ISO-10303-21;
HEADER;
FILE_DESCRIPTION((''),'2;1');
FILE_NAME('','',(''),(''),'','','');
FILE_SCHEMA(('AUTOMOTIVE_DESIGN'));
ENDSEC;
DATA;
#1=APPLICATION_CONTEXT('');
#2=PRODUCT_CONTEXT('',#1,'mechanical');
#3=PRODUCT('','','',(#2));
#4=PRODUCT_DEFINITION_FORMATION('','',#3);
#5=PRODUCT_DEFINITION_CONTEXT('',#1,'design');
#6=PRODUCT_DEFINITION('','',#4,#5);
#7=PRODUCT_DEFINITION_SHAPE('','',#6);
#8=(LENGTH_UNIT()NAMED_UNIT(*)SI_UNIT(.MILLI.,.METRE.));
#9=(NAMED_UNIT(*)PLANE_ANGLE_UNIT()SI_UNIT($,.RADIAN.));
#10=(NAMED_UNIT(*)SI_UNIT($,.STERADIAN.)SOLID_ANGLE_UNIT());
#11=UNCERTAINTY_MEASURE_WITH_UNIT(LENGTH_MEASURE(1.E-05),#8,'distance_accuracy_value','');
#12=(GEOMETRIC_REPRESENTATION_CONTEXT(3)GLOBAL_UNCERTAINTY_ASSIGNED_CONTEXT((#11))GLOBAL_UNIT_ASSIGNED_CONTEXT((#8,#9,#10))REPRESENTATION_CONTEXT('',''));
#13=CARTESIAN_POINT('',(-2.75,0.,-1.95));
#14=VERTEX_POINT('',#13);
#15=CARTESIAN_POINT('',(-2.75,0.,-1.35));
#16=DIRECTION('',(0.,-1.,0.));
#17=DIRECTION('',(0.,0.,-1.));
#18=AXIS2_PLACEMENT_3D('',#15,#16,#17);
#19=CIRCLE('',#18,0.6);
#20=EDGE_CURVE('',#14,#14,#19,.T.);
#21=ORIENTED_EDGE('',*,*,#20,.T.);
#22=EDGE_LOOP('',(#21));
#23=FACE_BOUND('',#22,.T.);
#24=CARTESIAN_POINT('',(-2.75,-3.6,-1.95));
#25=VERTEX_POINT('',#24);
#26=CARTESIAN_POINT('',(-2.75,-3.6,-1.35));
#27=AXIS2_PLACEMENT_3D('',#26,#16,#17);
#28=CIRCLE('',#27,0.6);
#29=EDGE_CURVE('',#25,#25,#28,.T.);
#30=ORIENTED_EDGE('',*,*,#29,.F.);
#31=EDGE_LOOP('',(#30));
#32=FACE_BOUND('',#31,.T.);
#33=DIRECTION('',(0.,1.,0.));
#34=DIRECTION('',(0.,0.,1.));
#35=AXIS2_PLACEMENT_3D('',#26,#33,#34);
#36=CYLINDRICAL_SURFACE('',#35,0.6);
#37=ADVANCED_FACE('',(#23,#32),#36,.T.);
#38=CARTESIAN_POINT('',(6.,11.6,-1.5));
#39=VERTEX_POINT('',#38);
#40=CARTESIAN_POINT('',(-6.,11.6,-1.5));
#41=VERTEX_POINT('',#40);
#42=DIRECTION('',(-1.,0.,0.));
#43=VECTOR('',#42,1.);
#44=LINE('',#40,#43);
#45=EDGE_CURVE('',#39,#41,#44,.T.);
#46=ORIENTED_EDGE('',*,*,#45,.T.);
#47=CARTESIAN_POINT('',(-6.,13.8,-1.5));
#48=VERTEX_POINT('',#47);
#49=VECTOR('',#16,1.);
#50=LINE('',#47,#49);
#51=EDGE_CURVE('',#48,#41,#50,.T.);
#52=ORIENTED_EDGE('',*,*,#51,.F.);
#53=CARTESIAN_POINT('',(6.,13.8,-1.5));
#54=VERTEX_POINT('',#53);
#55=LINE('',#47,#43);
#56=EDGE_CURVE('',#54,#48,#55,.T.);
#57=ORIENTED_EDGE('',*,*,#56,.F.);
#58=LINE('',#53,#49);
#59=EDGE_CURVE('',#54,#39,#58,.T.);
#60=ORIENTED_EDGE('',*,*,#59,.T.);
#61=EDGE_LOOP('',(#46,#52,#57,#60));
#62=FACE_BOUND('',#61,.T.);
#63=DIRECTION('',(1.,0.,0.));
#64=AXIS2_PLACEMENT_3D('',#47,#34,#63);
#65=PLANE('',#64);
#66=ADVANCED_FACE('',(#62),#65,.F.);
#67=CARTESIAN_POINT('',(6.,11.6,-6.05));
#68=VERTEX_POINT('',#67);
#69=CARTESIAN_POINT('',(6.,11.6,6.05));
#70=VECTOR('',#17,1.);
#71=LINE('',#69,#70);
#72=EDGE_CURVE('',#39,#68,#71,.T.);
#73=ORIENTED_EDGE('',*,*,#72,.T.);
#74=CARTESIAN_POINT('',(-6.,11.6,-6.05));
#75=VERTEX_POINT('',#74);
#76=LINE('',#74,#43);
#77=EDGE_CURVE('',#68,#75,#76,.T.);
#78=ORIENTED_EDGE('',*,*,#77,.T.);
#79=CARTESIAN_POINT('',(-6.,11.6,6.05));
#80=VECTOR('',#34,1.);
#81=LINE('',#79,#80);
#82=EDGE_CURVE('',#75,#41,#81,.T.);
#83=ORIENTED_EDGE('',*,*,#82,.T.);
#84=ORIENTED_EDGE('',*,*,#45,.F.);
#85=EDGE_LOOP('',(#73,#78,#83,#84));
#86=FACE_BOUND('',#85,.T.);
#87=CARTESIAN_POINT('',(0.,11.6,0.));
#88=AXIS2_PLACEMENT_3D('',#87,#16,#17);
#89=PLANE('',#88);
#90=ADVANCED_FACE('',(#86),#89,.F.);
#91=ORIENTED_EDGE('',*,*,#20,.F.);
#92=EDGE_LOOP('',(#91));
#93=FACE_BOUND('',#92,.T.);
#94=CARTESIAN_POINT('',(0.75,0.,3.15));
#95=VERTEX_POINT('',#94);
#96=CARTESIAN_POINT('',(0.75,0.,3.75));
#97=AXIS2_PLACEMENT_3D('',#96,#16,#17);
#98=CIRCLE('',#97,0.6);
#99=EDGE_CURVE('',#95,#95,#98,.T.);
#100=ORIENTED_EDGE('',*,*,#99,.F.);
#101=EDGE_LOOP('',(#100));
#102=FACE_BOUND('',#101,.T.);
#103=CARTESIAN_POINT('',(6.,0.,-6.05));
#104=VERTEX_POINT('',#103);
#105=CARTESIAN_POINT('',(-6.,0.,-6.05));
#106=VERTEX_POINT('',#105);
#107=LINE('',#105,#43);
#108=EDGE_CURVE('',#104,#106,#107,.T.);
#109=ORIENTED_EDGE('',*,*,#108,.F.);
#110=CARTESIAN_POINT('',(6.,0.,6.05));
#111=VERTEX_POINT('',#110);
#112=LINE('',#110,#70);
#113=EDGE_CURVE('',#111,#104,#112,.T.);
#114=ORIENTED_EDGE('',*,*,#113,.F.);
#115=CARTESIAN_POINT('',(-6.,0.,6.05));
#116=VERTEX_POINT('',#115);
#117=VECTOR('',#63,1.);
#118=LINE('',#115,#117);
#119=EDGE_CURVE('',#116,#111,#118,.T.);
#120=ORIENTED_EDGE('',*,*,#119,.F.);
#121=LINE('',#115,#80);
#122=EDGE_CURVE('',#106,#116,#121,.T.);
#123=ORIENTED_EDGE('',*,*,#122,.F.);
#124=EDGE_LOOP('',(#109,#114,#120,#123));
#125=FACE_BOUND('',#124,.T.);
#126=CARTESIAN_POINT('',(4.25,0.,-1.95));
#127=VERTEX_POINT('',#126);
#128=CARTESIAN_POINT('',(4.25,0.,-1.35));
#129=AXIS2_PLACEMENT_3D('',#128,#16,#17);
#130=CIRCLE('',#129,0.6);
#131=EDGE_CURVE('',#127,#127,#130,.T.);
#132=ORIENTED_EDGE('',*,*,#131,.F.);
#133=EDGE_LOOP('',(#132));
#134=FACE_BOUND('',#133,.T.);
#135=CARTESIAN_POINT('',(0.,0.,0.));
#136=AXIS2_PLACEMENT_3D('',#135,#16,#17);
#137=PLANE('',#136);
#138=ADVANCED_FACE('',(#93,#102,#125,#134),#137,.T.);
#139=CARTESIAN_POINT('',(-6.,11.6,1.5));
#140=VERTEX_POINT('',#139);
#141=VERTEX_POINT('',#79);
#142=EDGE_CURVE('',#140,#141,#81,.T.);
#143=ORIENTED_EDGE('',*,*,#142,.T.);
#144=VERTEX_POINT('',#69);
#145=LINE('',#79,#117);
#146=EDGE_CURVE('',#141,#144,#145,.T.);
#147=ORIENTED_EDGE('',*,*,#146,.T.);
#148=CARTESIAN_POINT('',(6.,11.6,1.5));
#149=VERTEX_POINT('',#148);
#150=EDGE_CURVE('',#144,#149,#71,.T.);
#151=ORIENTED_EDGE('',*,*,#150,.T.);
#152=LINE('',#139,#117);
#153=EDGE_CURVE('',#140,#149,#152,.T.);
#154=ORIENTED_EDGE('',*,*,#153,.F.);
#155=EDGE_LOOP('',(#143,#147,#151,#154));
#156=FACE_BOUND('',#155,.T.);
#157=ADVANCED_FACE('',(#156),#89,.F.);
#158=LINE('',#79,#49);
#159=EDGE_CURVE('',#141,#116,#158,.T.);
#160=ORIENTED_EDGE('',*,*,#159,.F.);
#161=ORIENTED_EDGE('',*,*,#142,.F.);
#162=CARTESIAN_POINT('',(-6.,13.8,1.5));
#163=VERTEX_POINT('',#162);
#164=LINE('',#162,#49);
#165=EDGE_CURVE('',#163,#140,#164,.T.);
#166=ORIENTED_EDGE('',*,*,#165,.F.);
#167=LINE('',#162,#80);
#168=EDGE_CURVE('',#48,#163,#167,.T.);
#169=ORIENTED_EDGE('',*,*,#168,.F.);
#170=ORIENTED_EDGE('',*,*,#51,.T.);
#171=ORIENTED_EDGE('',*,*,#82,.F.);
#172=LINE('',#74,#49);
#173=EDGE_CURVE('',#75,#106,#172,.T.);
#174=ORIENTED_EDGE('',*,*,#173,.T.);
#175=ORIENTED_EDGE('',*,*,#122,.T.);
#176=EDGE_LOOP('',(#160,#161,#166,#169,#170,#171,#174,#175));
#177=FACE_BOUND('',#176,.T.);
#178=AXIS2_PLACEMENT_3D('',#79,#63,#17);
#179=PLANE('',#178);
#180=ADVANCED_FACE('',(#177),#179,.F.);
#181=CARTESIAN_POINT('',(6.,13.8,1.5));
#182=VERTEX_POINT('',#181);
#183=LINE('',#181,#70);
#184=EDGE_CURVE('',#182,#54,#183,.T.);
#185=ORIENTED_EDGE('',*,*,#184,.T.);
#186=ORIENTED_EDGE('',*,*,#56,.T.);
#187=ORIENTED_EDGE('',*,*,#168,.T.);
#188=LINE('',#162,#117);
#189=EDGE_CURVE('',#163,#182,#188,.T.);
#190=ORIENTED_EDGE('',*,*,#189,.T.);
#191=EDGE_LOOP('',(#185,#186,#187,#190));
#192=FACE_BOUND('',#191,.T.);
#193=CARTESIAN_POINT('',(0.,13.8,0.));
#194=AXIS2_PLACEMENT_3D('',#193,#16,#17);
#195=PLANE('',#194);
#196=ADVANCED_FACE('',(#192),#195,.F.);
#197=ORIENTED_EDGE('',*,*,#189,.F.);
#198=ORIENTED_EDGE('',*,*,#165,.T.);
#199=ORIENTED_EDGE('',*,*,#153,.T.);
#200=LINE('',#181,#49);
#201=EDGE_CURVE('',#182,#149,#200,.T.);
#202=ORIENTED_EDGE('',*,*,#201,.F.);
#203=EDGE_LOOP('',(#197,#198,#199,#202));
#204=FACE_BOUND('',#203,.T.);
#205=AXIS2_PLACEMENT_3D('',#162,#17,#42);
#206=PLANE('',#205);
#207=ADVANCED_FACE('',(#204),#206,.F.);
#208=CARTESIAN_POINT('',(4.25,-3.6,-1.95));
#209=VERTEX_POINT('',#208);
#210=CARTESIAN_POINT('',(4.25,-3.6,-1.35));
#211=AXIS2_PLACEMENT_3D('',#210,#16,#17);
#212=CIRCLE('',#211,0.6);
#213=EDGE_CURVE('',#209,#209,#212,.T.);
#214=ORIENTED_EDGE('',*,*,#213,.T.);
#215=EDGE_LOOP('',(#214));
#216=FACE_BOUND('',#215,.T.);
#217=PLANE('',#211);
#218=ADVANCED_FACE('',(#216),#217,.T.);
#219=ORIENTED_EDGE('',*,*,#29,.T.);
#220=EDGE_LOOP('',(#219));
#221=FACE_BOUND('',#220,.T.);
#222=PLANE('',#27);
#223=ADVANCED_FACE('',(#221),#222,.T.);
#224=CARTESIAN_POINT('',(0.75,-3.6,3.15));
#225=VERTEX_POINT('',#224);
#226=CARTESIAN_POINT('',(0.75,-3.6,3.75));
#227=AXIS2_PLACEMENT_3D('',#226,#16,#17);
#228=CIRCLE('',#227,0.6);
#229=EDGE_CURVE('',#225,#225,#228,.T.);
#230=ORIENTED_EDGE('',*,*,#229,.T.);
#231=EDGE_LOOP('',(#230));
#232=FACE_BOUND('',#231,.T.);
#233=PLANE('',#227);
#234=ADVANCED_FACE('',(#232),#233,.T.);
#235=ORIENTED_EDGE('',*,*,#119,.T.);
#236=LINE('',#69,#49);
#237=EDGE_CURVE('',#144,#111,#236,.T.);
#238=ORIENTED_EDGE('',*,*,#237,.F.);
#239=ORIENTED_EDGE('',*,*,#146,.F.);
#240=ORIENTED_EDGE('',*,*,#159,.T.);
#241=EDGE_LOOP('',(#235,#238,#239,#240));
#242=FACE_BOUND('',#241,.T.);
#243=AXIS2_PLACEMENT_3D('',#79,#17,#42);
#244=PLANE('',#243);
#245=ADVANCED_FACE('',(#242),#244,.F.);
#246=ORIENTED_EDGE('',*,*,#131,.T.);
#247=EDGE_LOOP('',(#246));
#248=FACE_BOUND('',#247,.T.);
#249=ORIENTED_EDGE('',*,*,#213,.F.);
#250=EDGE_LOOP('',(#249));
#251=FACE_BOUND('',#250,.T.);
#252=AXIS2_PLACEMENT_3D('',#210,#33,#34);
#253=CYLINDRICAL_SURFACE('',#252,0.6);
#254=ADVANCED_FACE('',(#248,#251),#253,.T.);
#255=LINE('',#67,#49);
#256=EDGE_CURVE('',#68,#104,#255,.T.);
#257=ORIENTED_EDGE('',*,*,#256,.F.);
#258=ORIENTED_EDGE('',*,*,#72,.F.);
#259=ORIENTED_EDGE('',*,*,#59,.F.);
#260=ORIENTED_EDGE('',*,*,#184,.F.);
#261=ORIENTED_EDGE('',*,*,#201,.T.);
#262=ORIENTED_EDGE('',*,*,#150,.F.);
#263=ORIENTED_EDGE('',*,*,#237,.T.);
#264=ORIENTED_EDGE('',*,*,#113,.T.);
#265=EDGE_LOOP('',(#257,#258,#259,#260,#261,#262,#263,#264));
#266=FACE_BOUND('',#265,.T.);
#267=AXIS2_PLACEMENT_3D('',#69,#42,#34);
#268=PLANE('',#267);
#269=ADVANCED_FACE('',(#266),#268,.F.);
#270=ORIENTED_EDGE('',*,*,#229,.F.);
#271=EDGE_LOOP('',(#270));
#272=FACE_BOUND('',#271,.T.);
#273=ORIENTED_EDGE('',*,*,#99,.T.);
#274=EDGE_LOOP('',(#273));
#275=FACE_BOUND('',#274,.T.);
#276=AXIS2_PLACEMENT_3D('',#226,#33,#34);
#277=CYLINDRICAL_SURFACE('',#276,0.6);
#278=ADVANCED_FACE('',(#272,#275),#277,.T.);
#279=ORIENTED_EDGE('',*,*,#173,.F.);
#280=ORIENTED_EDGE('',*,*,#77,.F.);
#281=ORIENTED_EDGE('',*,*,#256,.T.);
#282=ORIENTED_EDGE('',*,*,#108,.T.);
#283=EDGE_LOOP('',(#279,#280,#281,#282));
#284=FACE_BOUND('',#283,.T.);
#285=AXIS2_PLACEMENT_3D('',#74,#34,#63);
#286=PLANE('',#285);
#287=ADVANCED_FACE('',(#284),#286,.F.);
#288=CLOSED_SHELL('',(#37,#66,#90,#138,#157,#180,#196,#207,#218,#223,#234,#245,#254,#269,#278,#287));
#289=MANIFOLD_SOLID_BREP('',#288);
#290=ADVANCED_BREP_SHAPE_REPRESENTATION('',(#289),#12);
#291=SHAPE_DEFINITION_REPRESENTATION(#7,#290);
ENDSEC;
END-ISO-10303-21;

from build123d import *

# Parameters (mm, degrees)
CROQUIS1_W              = 12
CROQUIS1_H              = 12.1
SALIENTE_EXTRUIR1_DEPTH = 11.6
CROQUIS2_W              = 12
CROQUIS2_H              = 3
SALIENTE_EXTRUIR2_DEPTH = 2.2
CROQUIS3_R              = 0.6
SALIENTE_EXTRUIR3_DEPTH = 3.6


with BuildPart() as part:
    # Croquis1 → Saliente-Extruir1 (new body)
    with BuildSketch(Plane(origin=(0, 0, 0), x_dir=(1, 0, 0), z_dir=(0, 1, 0))):
        Rectangle(CROQUIS1_W, CROQUIS1_H)
    extrude(amount=SALIENTE_EXTRUIR1_DEPTH)

    # Croquis2 → Saliente-Extruir2 (add)
    with BuildSketch(Plane(origin=(0, 11.6, 0), x_dir=(1, 0, 0), z_dir=(0, 1, 0))):
        Rectangle(CROQUIS2_W, CROQUIS2_H)
    extrude(amount=SALIENTE_EXTRUIR2_DEPTH)

    # Croquis3 → Saliente-Extruir3 (add)
    with BuildSketch(Plane.XZ):
        with Locations(Location((-2.75, -1.35, 0), (0, 0, 270))):
            Circle(CROQUIS3_R)
        with Locations(Location((0.75, 3.75, 0), (0, 0, 270))):
            Circle(CROQUIS3_R)
        with Locations(Location((4.25, -1.35, 0), (0, 0, 270))):
            Circle(CROQUIS3_R)
    extrude(amount=SALIENTE_EXTRUIR3_DEPTH)


solid = part.part
